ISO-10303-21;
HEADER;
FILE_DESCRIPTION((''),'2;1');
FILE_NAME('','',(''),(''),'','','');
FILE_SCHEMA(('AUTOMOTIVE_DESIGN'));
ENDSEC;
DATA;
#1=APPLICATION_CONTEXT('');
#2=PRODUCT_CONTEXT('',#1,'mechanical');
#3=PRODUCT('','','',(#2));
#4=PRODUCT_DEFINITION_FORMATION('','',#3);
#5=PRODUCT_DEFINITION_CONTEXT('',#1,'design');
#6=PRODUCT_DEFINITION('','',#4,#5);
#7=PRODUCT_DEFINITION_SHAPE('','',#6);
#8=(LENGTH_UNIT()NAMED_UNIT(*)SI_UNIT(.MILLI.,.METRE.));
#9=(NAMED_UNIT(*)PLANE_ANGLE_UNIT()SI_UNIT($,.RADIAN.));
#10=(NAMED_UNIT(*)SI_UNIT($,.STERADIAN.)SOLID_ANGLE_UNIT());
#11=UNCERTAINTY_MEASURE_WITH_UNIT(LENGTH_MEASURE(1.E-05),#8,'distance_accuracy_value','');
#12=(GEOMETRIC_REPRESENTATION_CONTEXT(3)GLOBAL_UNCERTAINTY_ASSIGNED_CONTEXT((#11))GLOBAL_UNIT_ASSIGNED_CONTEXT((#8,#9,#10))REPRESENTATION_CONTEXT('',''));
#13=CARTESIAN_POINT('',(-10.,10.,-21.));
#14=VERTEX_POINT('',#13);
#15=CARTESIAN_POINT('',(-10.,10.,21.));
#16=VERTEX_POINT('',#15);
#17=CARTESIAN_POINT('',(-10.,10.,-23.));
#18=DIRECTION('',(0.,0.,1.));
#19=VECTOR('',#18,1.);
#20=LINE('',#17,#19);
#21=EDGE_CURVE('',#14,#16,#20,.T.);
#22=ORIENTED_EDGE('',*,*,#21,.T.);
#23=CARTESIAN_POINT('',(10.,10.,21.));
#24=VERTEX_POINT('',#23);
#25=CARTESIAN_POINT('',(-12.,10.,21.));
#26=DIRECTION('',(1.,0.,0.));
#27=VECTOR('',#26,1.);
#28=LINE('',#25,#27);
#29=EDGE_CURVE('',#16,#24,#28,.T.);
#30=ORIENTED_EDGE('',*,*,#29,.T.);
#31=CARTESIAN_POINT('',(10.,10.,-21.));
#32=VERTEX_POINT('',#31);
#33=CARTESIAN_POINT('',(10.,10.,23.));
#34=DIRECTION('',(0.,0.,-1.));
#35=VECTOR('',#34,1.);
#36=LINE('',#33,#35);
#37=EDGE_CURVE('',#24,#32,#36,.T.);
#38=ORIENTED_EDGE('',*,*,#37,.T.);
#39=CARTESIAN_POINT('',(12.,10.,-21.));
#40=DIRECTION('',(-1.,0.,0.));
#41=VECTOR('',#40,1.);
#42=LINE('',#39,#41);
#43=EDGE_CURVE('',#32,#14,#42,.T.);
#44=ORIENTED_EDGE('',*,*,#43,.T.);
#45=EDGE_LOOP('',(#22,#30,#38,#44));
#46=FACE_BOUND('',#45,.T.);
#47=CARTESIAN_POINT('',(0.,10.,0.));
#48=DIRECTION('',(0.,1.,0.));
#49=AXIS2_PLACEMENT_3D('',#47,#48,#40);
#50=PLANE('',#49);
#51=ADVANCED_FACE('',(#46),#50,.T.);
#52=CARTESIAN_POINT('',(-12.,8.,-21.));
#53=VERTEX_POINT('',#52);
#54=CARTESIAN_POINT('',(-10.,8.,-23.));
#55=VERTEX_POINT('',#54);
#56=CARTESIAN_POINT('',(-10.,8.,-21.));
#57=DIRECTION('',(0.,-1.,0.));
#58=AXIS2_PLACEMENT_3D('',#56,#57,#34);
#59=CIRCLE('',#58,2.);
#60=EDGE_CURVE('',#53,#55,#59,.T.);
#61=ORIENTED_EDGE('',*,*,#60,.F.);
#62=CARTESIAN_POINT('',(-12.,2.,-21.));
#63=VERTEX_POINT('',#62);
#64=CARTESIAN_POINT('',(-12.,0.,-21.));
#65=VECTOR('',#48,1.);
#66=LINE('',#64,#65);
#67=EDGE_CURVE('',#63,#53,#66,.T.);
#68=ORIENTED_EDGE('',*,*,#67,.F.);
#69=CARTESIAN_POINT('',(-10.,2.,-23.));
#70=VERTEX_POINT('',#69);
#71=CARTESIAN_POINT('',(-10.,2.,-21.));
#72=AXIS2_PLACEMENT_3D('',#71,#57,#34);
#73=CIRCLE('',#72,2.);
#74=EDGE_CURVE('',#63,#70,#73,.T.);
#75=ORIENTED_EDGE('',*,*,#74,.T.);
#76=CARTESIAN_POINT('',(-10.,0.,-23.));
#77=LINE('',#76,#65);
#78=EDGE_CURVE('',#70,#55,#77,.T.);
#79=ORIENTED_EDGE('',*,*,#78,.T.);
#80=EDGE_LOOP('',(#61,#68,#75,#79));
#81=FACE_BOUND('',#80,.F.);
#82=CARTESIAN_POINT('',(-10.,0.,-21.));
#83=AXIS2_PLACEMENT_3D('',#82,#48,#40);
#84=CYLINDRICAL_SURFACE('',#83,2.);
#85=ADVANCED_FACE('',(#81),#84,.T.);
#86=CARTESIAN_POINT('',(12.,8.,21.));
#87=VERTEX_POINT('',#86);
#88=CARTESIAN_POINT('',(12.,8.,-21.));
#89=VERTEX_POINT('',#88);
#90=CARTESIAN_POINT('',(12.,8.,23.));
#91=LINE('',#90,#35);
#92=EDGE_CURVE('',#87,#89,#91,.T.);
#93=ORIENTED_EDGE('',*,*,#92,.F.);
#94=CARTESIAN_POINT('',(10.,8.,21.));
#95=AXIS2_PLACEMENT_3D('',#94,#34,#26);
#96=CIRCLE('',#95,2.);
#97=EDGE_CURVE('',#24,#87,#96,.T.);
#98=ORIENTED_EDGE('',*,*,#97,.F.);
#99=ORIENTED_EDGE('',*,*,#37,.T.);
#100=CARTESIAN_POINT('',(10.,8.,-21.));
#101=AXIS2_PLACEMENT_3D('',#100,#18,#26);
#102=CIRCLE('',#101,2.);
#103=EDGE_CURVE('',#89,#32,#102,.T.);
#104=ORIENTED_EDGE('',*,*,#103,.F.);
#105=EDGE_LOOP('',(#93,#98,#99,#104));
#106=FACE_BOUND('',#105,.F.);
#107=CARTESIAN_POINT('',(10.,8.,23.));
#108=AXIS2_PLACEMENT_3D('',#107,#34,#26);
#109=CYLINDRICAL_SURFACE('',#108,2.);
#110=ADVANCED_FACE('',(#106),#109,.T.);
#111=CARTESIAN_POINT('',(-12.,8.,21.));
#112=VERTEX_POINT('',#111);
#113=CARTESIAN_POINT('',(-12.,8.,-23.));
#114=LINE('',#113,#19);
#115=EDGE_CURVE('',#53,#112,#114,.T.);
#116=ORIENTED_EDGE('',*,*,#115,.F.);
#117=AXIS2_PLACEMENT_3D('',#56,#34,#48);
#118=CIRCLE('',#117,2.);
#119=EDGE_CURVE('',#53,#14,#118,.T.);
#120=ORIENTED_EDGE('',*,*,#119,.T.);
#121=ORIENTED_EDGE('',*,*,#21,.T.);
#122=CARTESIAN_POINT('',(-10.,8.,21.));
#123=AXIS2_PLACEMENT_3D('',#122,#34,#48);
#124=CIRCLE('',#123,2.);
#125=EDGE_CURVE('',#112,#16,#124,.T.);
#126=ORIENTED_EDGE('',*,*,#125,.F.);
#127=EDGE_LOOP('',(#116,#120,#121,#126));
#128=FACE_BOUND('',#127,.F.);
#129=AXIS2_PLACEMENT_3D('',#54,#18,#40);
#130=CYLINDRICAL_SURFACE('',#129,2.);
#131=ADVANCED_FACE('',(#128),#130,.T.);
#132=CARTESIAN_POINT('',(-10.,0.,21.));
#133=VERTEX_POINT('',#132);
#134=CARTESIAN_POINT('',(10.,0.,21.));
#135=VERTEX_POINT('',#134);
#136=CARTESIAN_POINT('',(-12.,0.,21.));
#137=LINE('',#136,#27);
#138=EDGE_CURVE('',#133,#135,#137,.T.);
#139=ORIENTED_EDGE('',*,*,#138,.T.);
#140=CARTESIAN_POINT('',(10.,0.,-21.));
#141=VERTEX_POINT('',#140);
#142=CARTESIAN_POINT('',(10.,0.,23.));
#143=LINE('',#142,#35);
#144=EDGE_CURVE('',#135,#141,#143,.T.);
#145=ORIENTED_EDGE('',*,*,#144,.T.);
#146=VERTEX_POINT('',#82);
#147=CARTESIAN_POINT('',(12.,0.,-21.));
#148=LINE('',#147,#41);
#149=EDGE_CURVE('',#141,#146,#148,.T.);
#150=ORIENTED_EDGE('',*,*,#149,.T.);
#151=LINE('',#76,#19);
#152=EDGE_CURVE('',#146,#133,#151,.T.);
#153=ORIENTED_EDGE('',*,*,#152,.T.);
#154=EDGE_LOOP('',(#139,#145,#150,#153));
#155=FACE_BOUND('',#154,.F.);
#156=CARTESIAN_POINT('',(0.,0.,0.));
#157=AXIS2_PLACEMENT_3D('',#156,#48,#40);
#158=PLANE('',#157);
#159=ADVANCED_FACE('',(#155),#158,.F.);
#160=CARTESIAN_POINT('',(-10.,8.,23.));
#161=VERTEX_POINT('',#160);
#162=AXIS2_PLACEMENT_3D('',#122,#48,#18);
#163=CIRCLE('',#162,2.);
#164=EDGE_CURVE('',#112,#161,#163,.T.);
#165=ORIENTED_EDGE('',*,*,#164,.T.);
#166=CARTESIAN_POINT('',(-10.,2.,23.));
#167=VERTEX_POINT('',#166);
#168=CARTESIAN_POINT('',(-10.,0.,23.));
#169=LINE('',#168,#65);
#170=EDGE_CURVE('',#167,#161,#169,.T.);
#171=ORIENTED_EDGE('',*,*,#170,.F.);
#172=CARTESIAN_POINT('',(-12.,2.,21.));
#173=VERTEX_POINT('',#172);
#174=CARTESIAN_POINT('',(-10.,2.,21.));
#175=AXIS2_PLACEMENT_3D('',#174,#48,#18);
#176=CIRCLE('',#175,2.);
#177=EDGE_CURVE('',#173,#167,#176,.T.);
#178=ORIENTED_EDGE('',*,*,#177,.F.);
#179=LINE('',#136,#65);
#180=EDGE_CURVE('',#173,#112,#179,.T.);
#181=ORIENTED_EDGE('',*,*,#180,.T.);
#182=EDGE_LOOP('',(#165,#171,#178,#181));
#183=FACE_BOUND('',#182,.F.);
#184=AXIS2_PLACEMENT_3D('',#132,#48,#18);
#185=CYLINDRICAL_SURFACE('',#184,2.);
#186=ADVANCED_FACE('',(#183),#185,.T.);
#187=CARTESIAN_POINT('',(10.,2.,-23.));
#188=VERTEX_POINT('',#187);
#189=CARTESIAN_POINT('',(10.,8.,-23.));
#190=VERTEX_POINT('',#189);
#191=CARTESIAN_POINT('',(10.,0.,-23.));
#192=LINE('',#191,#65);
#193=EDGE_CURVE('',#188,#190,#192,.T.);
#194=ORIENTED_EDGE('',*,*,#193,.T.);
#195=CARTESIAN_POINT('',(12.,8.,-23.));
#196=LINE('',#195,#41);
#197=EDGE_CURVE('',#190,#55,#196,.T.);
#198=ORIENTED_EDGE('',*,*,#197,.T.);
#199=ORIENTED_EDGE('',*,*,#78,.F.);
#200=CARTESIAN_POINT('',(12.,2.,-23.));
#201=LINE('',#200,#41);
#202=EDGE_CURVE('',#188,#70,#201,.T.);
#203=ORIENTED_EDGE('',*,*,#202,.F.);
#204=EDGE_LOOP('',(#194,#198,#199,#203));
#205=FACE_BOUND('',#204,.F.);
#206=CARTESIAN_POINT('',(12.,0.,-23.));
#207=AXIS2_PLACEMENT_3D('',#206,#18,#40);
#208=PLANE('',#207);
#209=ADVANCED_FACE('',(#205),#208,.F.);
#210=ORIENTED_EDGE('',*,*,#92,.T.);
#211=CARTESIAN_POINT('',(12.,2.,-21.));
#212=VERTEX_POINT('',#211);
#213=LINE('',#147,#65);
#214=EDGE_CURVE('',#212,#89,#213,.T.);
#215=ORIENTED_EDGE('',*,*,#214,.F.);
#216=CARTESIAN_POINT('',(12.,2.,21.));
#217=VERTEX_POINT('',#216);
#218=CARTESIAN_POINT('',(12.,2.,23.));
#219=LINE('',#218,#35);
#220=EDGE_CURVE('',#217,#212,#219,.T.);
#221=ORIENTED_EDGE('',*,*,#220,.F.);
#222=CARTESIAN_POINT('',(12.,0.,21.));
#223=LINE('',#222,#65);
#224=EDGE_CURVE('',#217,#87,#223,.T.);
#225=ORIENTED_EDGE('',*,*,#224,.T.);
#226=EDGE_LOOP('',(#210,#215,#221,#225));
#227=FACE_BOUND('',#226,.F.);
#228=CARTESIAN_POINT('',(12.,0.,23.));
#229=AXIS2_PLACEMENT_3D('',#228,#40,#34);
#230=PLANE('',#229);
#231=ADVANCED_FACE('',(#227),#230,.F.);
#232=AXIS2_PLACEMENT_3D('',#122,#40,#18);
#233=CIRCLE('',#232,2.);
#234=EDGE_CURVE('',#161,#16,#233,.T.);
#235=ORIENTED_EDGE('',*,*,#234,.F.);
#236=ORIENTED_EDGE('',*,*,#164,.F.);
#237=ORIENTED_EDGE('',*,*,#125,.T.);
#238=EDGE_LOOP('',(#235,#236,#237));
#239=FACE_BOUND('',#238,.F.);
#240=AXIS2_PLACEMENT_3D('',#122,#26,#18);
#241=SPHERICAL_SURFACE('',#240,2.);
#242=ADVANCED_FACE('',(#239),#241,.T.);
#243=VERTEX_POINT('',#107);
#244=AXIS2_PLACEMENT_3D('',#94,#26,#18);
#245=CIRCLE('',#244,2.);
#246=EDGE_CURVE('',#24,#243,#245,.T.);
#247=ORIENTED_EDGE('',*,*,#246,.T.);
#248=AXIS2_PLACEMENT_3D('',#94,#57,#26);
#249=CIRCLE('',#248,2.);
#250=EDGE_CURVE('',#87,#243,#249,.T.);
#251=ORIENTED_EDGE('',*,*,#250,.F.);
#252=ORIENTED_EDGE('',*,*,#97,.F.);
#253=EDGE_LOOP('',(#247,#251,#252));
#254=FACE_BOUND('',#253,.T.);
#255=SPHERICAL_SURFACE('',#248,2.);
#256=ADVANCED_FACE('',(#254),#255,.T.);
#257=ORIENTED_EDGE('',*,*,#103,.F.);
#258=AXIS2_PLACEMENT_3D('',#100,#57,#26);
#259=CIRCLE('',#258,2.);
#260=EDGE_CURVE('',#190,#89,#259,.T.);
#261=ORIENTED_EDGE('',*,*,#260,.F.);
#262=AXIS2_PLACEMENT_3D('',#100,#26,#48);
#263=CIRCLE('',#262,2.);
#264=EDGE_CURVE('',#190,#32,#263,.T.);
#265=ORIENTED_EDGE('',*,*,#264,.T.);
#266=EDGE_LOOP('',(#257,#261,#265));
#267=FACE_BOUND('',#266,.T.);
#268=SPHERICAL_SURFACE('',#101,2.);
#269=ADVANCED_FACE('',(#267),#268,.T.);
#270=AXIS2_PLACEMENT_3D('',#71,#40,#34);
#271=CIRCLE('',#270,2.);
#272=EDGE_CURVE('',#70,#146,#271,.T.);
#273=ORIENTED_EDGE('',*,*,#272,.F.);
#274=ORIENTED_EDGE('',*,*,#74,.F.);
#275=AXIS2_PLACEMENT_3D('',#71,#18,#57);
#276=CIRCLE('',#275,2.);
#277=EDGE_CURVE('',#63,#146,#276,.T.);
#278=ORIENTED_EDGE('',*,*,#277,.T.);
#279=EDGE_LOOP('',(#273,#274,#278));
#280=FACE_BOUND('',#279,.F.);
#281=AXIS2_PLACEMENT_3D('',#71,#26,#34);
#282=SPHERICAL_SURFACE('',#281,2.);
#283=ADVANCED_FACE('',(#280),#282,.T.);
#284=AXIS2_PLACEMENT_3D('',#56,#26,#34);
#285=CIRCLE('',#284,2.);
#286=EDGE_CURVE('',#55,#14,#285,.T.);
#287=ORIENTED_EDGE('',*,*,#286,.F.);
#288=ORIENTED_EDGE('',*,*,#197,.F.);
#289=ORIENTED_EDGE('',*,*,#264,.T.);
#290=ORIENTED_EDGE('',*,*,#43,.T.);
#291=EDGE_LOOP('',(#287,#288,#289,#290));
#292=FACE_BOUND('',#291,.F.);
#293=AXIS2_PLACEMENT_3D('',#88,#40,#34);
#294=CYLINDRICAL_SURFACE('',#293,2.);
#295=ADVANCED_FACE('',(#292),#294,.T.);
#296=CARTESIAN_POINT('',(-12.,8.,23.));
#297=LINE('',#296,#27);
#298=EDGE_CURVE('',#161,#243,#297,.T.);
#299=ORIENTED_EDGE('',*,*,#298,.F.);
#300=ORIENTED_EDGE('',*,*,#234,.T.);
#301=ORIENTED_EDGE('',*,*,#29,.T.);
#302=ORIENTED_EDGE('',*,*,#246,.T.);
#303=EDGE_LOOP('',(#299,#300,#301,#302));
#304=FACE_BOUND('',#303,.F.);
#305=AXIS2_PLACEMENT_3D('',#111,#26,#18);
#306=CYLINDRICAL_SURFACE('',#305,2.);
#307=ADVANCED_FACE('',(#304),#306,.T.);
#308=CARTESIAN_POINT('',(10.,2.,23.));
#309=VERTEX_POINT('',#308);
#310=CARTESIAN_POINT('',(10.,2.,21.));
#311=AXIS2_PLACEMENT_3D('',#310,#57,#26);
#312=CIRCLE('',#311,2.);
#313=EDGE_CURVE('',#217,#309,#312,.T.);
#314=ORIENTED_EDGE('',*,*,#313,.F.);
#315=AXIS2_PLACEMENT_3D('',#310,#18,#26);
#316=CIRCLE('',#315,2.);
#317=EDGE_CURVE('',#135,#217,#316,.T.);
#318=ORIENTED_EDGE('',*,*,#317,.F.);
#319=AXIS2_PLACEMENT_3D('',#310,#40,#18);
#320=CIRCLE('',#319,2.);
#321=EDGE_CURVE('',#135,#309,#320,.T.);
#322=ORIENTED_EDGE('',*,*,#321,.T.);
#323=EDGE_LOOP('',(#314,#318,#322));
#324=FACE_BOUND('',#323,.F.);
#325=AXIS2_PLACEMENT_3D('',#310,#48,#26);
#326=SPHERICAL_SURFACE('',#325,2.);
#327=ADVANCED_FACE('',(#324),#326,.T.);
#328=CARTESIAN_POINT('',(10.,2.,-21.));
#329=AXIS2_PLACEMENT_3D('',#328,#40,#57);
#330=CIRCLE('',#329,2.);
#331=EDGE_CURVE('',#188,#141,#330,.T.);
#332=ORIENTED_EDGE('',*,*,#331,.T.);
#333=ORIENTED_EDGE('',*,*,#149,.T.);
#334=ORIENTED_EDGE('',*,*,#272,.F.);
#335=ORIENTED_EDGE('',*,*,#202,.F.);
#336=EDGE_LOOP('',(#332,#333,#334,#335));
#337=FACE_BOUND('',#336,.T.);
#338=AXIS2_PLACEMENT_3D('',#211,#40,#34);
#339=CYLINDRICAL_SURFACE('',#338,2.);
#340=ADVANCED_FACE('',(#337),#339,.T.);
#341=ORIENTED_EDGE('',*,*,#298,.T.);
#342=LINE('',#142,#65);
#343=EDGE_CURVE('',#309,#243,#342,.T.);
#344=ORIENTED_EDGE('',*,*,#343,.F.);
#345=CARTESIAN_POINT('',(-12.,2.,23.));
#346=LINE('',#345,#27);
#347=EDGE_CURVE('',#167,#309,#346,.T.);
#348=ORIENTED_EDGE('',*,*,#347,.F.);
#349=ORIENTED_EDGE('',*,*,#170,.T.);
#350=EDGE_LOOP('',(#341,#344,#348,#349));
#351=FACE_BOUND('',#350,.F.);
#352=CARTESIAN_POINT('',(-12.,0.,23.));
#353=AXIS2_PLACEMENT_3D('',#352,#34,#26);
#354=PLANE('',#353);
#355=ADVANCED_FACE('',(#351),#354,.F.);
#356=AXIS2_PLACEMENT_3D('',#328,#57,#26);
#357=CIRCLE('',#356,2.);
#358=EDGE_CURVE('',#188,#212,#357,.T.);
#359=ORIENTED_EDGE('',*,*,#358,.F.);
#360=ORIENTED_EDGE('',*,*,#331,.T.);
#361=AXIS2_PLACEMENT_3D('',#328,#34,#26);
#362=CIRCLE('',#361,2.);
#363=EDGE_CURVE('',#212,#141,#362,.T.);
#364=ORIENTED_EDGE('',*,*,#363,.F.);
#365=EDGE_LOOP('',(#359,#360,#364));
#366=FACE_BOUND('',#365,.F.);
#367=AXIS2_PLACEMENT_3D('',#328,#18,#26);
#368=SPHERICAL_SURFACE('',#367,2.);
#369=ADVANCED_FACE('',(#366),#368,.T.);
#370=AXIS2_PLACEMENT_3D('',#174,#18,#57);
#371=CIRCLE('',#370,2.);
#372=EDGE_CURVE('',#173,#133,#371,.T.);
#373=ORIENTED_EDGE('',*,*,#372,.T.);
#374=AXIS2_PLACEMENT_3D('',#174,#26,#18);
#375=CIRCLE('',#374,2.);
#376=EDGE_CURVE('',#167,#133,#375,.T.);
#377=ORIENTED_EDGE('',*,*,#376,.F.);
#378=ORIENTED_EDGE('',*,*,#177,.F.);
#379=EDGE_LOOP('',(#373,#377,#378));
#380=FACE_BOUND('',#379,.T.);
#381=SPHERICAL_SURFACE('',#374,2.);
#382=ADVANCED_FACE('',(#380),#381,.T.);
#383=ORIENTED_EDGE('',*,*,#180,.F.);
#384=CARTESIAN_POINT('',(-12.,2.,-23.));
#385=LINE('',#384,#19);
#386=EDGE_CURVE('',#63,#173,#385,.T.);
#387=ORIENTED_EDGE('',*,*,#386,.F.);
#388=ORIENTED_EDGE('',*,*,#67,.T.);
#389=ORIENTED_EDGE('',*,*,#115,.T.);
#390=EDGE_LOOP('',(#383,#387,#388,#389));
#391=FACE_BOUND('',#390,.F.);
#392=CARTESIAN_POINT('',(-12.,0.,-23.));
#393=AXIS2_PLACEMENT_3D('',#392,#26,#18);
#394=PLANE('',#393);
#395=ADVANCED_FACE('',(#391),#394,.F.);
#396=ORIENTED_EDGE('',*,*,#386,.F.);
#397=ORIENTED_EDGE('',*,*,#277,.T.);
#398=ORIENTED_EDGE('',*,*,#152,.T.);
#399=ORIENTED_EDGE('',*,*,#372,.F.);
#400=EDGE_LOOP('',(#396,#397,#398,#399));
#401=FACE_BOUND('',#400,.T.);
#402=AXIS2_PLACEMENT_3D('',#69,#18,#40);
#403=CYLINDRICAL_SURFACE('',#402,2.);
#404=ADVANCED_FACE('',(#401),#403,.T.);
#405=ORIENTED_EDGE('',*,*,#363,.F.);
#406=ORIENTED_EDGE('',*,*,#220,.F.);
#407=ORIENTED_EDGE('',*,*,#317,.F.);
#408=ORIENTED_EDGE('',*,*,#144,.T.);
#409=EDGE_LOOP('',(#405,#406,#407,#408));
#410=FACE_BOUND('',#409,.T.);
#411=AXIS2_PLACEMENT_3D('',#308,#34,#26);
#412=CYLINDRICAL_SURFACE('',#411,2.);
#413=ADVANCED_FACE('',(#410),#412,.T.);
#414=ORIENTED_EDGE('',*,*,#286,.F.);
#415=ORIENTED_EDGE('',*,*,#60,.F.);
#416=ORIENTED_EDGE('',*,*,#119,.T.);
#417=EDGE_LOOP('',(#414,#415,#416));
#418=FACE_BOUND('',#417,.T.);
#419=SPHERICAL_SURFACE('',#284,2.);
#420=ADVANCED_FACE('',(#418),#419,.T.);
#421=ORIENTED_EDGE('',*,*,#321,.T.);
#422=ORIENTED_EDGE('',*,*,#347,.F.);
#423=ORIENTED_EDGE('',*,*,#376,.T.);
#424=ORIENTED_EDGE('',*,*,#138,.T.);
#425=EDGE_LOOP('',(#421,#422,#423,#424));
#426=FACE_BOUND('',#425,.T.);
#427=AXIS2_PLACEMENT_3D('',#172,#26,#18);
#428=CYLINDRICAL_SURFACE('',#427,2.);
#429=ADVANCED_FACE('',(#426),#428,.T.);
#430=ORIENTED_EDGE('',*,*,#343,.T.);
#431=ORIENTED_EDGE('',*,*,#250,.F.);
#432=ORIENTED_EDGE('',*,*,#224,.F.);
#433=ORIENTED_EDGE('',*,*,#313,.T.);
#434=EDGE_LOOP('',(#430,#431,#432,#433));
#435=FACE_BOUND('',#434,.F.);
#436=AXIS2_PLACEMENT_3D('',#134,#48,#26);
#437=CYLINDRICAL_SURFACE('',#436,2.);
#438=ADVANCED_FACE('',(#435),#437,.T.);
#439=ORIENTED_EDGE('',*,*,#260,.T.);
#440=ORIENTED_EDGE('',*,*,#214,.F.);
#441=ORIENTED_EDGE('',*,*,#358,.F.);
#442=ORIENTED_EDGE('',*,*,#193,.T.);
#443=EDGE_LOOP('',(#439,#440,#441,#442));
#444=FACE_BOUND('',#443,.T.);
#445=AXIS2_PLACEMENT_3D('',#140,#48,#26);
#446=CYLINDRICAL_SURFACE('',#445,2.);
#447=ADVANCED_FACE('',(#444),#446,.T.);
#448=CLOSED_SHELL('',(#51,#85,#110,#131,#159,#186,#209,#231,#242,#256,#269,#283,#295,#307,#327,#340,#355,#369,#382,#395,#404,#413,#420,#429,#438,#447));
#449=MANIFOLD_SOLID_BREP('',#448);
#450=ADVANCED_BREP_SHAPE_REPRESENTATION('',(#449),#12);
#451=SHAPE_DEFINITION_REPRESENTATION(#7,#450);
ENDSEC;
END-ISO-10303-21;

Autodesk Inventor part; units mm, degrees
ref_plane "YZ Plane" through (0, 0, 0) normal (1, 0, 0) x (0, 1, 0)
ref_plane "XZ Plane" through (0, 0, 0) normal (0, 1, 0) x (-1, 0, 0)
ref_plane "XY Plane" through (0, 0, 0) normal (0, 0, 1) x (1, 0, 0)
sketch "Esboço1" plane through (0, 0, 0) normal (0, 1, 0) x (-1, 0, 0)
  line L0 (-12, -23) -> (12, -23)
  line L1 (12, -23) -> (12, 23)
  line L2 (12, 23) -> (-12, 23)
  line L3 (-12, 23) -> (-12, -23)
  line L4 (-12, -23) -> (12, 23) construction
  line L5 (12, -23) -> (-12, 23) construction
  point P0 (0, 0)
  dimension "d0" = 24
  dimension "d1" = 46
extrude "Extrusão1" add sketch "Esboço1" along normal blind 10
fillet "Arredondamento1" radius 2 12 edges at (12, 5, 23) (12, 10, 0) (0, 10, 23) (12, 0, 0) (12, 5, -23) (0, 0, 23) (-12, 5, 23) (0, 10, -23) (0, 0, -23) (-12, 5, -23) (-12, 0, 0) (-12, 10, 0)
properties part number "Battery"
